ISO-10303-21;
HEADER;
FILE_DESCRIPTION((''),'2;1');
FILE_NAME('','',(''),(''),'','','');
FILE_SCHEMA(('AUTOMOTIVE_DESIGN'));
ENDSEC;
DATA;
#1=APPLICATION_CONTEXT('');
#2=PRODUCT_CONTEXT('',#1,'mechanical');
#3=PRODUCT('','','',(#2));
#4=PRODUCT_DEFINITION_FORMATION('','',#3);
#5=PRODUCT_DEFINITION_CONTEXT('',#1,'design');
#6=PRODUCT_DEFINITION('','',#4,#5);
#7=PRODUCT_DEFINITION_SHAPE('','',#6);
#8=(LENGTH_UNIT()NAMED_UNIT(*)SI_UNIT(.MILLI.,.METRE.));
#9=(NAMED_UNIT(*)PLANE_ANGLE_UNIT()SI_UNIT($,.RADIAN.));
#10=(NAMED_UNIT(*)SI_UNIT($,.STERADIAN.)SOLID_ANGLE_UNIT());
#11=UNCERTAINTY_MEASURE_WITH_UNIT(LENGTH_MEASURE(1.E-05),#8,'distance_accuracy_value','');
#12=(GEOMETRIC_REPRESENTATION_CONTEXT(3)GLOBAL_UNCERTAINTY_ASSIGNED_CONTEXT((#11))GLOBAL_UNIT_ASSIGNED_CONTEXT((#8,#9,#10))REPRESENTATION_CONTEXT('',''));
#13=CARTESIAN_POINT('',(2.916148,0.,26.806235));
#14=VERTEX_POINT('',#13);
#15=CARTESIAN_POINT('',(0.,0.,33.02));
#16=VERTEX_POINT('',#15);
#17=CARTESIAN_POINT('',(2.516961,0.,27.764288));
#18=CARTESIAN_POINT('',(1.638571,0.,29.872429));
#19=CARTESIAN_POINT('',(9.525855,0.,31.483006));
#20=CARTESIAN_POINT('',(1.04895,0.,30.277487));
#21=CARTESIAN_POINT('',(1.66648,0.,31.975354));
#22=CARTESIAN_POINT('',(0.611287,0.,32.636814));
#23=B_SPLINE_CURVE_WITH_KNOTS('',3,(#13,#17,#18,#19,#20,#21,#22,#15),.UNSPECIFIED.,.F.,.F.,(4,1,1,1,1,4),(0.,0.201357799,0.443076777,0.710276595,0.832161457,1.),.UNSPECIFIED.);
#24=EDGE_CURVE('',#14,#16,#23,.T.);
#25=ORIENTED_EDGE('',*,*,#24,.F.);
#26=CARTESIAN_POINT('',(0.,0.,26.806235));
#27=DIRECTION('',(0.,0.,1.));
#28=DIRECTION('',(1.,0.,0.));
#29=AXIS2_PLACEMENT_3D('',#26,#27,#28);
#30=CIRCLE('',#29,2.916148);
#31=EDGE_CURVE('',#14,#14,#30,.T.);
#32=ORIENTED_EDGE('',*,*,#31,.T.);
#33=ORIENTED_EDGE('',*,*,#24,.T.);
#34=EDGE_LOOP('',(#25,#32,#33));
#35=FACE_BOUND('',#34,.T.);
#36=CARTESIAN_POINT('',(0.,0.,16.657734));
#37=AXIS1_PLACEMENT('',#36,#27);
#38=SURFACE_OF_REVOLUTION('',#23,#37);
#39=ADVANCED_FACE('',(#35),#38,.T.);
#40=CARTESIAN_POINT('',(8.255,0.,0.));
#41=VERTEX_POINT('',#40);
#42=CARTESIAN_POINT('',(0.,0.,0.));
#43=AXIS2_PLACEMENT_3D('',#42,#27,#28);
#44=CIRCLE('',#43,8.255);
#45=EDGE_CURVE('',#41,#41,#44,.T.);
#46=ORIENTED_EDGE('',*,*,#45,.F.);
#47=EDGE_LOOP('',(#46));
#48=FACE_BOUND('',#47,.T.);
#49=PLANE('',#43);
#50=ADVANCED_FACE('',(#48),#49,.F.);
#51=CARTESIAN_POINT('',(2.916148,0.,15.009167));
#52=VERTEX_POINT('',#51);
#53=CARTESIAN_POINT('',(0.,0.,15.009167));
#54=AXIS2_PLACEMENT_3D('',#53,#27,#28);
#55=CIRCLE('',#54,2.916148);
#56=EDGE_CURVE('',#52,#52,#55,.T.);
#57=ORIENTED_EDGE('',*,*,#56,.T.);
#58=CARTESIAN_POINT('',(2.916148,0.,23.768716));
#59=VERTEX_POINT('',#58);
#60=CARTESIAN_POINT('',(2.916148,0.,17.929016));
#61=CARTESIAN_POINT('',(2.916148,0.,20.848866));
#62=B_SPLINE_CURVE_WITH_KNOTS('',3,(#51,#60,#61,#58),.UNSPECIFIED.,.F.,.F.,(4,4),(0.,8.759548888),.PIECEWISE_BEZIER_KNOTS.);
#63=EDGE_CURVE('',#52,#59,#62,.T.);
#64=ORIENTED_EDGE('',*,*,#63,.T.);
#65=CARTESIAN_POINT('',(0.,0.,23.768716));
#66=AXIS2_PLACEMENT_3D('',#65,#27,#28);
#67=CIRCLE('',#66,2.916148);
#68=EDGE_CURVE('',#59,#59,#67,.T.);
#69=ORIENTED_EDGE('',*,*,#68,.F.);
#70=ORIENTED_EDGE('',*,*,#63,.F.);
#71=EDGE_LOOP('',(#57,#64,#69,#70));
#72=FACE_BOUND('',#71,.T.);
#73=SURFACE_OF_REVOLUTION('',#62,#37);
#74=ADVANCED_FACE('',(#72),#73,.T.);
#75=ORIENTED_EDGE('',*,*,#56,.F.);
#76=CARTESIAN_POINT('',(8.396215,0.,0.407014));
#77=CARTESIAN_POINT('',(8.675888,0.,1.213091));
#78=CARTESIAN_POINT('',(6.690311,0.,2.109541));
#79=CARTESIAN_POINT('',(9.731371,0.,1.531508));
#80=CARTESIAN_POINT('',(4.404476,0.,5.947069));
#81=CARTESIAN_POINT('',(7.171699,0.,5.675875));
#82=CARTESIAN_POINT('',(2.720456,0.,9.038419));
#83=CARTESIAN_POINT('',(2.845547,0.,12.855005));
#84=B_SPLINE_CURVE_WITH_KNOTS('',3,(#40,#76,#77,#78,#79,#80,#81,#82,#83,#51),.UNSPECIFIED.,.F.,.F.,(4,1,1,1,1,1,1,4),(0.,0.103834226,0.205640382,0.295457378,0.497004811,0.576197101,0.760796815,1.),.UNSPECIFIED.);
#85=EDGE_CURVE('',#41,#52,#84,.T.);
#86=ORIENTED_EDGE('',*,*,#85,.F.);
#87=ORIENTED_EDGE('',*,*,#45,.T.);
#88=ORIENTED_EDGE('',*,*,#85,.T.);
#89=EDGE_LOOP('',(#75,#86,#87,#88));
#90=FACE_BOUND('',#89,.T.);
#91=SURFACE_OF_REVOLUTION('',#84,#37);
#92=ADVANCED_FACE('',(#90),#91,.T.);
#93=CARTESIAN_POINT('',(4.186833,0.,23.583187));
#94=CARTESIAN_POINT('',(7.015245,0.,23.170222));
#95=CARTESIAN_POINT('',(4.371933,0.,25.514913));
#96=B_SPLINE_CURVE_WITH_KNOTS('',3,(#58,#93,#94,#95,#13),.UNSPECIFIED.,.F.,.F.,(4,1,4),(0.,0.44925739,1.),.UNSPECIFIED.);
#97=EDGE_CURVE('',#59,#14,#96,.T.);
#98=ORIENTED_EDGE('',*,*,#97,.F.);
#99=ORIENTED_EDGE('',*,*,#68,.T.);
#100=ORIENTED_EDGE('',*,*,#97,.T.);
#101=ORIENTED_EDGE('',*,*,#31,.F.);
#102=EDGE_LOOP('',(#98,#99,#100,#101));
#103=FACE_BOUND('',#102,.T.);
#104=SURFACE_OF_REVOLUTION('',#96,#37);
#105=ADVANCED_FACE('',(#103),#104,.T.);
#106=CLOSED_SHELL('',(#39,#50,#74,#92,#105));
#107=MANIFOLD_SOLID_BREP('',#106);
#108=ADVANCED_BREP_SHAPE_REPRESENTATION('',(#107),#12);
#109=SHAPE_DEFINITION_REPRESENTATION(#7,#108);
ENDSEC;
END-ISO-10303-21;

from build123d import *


with BuildPart() as f2:
    # F0 (on Front) → F2 (revolve)
    with BuildSketch(Plane.XZ):
        with BuildLine():
            Line((0, 33.02), (0, 0))
            Line((0, 0), (8.255, 0))
            add(Edge.make_bspline(
                [(8.255, 0), (8.3962154134, 0.4070135709), (8.6758880476, 1.2130910584), (6.6903106392, 2.1095410402), (9.731371276, 1.5315078045), (4.4044761975, 5.9470687322), (7.1716987257, 5.6758748709), (2.7204556998, 9.0384188817), (2.8455468029, 12.8550053089), (2.9161481652, 15.0091666728)],
                knots=[0, 0, 0, 0, 0.1038342262, 0.2056403818, 0.2954573783, 0.4970048113, 0.5761971009, 0.7607968149, 1, 1, 1, 1], degree=3))
            add(Edge.make_bspline(
                [(2.9161481652, 15.0091666728), (2.9161481652, 17.929016302), (2.9161481652, 20.8488659312), (2.9161481652, 23.7687155604)],
                knots=[0, 0, 0, 0, 8.7595488876, 8.7595488876, 8.7595488876, 8.7595488876], degree=3))
            add(Edge.make_bspline(
                [(2.9161481652, 23.7687155604), (4.1868333297, 23.5831874769), (7.0152454326, 23.1702215939), (4.3719334073, 25.5149129405), (2.9161481652, 26.8062353134)],
                knots=[0, 0, 0, 0, 0.4492573904, 1, 1, 1, 1], degree=3))
            add(Edge.make_bspline(
                [(2.9161481652, 26.8062353134), (2.5169608921, 27.764287607), (1.638570537, 29.8724291152), (9.5258550313, 31.4830057878), (1.0489495648, 30.2774869699), (1.6664798147, 31.9753539664), (0.6112867744, 32.63681386), (0, 33.02)],
                knots=[0, 0, 0, 0, 0.2013577989, 0.4430767768, 0.7102765947, 0.832161457, 1, 1, 1, 1], degree=3))
        make_face()
    revolve(axis=Axis((0, 0, 16.6577342898), (0, 0, 1)))


solid = f2.part
